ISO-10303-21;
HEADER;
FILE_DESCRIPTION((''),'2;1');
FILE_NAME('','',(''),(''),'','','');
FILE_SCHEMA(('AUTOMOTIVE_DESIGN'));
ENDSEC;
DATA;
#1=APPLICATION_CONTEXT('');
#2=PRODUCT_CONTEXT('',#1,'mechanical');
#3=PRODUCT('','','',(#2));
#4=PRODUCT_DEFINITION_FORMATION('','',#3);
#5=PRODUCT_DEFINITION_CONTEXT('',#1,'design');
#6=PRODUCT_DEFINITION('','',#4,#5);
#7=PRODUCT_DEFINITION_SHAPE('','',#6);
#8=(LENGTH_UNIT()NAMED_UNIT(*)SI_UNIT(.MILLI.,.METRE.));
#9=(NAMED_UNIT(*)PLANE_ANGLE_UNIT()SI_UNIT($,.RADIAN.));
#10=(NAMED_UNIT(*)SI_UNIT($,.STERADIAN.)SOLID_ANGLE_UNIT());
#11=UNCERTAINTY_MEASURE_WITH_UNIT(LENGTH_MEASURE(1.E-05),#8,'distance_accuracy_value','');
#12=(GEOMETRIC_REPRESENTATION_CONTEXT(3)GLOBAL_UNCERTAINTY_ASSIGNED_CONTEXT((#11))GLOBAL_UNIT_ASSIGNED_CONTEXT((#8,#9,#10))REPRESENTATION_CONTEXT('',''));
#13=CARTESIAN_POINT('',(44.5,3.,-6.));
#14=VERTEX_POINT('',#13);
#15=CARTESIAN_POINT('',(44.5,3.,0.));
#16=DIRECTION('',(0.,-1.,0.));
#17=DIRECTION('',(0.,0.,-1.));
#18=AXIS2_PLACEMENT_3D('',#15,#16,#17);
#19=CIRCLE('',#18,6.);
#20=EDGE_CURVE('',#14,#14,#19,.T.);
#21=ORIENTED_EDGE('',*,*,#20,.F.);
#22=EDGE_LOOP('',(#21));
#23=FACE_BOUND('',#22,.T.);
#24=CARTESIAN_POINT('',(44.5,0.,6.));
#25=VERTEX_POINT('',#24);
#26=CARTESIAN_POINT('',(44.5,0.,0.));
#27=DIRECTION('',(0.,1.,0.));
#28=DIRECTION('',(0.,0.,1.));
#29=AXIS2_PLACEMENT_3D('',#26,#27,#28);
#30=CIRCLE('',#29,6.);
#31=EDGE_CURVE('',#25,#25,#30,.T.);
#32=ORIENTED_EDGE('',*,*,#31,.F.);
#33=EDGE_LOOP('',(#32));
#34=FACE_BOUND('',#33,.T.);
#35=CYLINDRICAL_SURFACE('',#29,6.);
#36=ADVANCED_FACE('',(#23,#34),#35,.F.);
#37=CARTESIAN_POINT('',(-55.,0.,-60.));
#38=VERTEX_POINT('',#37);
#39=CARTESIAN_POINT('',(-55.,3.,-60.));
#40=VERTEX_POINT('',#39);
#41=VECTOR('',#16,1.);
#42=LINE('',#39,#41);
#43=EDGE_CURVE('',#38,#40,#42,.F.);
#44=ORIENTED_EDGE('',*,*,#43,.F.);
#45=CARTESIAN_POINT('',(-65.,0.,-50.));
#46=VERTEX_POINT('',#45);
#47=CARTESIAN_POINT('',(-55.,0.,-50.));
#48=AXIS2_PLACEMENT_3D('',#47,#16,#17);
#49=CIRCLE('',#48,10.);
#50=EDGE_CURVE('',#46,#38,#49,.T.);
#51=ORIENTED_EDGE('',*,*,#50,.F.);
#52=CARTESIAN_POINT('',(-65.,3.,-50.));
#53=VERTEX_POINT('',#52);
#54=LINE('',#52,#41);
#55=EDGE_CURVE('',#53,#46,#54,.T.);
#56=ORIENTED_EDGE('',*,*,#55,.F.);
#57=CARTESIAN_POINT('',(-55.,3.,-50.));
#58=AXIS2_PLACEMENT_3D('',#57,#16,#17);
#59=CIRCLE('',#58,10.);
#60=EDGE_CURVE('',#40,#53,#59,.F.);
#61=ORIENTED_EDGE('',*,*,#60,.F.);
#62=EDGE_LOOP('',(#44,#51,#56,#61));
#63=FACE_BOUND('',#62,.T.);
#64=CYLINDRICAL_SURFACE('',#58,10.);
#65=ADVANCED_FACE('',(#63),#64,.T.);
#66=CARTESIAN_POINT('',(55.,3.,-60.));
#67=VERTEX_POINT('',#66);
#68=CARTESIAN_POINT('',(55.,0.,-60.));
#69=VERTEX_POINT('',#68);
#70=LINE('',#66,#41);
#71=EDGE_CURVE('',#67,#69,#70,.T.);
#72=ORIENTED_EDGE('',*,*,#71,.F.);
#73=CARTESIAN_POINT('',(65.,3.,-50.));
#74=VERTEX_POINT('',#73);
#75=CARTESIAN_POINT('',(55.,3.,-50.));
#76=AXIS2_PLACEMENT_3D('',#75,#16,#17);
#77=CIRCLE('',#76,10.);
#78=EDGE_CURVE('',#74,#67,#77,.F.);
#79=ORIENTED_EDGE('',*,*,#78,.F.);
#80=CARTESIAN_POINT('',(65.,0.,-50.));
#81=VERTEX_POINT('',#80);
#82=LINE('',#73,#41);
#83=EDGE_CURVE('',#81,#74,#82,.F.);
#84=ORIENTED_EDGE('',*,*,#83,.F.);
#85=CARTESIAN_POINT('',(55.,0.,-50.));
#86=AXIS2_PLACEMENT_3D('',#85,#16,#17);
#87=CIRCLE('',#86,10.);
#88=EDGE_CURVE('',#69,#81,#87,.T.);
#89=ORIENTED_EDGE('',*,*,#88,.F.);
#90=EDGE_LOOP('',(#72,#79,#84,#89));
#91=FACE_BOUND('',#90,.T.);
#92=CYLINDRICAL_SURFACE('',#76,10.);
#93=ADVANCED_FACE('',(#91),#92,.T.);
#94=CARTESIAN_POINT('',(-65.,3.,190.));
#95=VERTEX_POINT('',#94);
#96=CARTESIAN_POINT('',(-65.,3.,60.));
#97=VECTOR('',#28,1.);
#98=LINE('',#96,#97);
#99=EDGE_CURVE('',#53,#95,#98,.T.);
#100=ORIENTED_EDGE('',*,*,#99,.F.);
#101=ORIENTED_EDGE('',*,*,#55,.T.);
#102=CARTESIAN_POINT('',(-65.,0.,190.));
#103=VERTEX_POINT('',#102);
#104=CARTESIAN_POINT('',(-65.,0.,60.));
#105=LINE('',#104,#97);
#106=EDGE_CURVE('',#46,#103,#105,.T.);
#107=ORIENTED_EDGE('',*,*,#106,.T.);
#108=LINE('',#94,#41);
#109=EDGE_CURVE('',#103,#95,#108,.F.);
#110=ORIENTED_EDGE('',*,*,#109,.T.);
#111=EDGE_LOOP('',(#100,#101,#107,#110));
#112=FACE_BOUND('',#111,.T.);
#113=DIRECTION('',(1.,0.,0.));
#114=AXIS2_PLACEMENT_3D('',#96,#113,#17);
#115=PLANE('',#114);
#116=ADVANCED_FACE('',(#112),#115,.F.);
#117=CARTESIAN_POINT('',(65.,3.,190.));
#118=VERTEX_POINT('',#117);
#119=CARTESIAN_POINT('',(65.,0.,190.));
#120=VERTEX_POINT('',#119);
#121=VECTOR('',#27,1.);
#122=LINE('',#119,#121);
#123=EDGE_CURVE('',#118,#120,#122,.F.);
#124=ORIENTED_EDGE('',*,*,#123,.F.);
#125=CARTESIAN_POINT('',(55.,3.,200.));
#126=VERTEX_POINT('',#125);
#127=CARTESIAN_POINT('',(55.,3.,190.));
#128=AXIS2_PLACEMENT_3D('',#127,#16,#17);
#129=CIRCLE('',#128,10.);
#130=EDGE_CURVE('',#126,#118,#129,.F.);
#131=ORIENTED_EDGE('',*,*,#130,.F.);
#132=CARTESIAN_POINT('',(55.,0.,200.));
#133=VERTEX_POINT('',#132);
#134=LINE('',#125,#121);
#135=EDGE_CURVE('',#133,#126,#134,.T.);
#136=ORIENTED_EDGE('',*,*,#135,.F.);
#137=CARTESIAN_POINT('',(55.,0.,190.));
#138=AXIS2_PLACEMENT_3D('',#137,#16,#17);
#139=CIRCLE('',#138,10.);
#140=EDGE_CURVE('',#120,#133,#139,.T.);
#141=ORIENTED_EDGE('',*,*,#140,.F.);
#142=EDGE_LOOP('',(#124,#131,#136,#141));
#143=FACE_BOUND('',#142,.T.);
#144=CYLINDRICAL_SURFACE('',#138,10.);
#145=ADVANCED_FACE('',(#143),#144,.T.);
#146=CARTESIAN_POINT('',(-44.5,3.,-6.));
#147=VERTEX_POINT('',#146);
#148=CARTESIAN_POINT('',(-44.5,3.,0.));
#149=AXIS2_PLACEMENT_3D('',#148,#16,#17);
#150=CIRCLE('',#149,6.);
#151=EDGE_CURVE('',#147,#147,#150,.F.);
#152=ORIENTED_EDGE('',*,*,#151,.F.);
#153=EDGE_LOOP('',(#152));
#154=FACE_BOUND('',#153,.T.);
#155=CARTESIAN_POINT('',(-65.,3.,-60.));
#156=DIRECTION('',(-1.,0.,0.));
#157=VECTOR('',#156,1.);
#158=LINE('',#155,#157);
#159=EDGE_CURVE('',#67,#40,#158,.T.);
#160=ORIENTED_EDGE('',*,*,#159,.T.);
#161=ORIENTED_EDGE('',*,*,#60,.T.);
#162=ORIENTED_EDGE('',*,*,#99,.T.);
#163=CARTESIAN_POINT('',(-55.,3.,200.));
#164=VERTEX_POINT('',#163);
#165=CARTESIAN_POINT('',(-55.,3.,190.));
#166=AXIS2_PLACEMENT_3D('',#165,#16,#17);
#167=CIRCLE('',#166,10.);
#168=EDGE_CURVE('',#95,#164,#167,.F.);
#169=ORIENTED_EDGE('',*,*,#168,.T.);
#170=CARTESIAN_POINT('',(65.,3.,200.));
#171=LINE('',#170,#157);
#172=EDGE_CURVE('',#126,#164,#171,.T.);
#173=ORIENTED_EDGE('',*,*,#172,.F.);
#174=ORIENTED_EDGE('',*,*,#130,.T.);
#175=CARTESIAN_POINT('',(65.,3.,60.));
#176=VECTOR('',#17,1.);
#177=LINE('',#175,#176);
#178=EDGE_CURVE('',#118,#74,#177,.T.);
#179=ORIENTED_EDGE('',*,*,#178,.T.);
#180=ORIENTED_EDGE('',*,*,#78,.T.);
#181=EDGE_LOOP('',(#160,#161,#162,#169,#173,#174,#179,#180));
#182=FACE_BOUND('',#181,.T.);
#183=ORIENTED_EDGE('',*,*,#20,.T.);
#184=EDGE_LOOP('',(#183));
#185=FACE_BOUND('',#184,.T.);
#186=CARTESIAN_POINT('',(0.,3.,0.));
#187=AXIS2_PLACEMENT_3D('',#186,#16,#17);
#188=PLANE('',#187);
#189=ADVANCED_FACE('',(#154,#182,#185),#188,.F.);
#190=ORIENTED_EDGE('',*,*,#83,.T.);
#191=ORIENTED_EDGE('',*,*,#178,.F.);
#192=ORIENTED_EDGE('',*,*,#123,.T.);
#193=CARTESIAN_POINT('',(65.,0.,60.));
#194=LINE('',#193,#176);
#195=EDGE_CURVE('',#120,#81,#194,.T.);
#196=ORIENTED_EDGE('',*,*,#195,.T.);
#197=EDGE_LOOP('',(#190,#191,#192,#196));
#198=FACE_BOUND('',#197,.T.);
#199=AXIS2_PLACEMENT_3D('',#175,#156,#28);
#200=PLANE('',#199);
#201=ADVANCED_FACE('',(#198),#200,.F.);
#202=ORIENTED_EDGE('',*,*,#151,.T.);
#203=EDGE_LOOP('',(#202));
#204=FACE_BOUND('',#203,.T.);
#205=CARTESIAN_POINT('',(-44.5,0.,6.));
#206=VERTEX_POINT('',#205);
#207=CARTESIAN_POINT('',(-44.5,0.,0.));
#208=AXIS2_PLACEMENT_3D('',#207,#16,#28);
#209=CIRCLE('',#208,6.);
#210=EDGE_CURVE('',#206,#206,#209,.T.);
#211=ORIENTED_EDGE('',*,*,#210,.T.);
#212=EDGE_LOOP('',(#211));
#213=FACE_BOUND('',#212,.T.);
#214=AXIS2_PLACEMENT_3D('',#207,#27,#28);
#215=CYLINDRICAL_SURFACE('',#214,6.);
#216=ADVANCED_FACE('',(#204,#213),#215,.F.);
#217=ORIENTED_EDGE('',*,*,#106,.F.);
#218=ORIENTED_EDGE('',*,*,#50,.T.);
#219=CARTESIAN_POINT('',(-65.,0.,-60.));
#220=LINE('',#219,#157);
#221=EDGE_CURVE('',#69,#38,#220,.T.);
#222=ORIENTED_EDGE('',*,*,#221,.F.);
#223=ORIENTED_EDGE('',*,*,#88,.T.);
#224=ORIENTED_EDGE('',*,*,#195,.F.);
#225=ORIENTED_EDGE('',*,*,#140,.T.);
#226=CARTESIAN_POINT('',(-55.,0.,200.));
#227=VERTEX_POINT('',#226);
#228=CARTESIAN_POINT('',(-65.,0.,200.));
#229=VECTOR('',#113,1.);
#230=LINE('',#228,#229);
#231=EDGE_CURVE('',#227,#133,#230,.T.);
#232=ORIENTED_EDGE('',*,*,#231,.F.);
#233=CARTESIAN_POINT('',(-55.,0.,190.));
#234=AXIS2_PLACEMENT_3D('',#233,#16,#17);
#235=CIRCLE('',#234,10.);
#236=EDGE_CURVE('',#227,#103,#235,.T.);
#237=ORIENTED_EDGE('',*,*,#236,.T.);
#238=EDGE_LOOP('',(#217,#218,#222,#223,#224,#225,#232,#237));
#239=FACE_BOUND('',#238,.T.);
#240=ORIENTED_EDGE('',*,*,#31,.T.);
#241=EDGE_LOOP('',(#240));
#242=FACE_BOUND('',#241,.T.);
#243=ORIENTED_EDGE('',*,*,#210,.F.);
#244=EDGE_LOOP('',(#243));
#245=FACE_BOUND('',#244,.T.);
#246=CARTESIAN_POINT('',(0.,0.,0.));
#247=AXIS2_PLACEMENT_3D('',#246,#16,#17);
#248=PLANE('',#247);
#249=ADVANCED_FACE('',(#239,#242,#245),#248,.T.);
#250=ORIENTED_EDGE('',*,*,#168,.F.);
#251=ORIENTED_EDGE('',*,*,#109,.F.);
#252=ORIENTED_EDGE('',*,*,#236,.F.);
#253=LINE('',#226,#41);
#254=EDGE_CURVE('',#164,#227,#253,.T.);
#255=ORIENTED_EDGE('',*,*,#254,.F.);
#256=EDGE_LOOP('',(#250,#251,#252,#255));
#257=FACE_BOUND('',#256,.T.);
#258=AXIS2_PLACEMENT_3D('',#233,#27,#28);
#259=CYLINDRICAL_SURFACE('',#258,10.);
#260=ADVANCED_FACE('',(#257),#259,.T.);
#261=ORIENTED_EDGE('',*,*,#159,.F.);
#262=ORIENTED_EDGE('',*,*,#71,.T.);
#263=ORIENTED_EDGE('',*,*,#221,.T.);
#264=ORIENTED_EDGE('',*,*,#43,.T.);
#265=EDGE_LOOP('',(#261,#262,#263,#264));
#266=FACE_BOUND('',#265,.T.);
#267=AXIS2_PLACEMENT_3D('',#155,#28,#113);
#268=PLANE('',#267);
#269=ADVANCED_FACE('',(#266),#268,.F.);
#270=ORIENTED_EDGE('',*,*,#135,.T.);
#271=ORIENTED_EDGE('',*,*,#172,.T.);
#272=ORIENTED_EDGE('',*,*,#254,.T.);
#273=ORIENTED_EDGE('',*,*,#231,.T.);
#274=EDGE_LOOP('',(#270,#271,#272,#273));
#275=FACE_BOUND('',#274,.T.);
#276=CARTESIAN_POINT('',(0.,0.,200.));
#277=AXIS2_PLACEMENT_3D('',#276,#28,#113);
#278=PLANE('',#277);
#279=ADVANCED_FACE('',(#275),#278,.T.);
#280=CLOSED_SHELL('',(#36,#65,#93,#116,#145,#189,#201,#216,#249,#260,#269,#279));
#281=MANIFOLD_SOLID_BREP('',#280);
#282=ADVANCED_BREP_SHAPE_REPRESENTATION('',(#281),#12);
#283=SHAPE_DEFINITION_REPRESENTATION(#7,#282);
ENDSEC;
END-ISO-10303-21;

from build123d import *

# Parameters (mm, degrees)
SKETCH1_W           = 130
SKETCH1_H           = 120
BOSS_EXTRUDE1_DEPTH = 3
CUT_EXTRUDE1_START  = -4
SKETCH2_R           = 6
CUT_EXTRUDE1_DEPTH  = 5
SKETCH3_W           = 130
SKETCH3_H           = 3
BOSS_EXTRUDE2_DEPTH = 140
FILLET1_R           = 10


with BuildPart() as part:
    # Sketch1 → Boss-Extrude1 (new body)
    with BuildSketch(Plane(origin=(0, 0, 0), x_dir=(1, 0, 0), z_dir=(0, 1, 0))):
        Rectangle(SKETCH1_W, SKETCH1_H)
    extrude(amount=BOSS_EXTRUDE1_DEPTH)

    # Sketch2 → Cut-Extrude1 (cut)
    with BuildSketch(Plane(origin=(0, 3, 0), x_dir=(1, 0, 0), z_dir=(0, 1, 0)).offset(CUT_EXTRUDE1_START)):
        with Locations((44.5, 0)):
            Circle(SKETCH2_R)
    cut_extrude1 = extrude(amount=CUT_EXTRUDE1_DEPTH, mode=Mode.SUBTRACT)

    # Mirror1: Cut-Extrude1 across plane
    add(cut_extrude1.mirror(Plane(origin=(0, 0, 0), x_dir=(0, 0, 1), z_dir=(1, 0, 0))), mode=Mode.SUBTRACT)

    # Sketch3 → Boss-Extrude2 (add)
    with BuildSketch(Plane.XY.offset(60)):
        with Locations((0, 1.5)):
            Rectangle(SKETCH3_W, SKETCH3_H)
    extrude(amount=BOSS_EXTRUDE2_DEPTH)

    # Fillet1
    fillet1_edges = [part.edges().sort_by_distance(p)[0] for p in [
        (-65, 1.5, 200),
        (65, 1.5, 200),
        (-65, 1.5, -60),
        (65, 1.5, -60),
    ]]
    fillet(fillet1_edges, radius=FILLET1_R)


solid = part.part
